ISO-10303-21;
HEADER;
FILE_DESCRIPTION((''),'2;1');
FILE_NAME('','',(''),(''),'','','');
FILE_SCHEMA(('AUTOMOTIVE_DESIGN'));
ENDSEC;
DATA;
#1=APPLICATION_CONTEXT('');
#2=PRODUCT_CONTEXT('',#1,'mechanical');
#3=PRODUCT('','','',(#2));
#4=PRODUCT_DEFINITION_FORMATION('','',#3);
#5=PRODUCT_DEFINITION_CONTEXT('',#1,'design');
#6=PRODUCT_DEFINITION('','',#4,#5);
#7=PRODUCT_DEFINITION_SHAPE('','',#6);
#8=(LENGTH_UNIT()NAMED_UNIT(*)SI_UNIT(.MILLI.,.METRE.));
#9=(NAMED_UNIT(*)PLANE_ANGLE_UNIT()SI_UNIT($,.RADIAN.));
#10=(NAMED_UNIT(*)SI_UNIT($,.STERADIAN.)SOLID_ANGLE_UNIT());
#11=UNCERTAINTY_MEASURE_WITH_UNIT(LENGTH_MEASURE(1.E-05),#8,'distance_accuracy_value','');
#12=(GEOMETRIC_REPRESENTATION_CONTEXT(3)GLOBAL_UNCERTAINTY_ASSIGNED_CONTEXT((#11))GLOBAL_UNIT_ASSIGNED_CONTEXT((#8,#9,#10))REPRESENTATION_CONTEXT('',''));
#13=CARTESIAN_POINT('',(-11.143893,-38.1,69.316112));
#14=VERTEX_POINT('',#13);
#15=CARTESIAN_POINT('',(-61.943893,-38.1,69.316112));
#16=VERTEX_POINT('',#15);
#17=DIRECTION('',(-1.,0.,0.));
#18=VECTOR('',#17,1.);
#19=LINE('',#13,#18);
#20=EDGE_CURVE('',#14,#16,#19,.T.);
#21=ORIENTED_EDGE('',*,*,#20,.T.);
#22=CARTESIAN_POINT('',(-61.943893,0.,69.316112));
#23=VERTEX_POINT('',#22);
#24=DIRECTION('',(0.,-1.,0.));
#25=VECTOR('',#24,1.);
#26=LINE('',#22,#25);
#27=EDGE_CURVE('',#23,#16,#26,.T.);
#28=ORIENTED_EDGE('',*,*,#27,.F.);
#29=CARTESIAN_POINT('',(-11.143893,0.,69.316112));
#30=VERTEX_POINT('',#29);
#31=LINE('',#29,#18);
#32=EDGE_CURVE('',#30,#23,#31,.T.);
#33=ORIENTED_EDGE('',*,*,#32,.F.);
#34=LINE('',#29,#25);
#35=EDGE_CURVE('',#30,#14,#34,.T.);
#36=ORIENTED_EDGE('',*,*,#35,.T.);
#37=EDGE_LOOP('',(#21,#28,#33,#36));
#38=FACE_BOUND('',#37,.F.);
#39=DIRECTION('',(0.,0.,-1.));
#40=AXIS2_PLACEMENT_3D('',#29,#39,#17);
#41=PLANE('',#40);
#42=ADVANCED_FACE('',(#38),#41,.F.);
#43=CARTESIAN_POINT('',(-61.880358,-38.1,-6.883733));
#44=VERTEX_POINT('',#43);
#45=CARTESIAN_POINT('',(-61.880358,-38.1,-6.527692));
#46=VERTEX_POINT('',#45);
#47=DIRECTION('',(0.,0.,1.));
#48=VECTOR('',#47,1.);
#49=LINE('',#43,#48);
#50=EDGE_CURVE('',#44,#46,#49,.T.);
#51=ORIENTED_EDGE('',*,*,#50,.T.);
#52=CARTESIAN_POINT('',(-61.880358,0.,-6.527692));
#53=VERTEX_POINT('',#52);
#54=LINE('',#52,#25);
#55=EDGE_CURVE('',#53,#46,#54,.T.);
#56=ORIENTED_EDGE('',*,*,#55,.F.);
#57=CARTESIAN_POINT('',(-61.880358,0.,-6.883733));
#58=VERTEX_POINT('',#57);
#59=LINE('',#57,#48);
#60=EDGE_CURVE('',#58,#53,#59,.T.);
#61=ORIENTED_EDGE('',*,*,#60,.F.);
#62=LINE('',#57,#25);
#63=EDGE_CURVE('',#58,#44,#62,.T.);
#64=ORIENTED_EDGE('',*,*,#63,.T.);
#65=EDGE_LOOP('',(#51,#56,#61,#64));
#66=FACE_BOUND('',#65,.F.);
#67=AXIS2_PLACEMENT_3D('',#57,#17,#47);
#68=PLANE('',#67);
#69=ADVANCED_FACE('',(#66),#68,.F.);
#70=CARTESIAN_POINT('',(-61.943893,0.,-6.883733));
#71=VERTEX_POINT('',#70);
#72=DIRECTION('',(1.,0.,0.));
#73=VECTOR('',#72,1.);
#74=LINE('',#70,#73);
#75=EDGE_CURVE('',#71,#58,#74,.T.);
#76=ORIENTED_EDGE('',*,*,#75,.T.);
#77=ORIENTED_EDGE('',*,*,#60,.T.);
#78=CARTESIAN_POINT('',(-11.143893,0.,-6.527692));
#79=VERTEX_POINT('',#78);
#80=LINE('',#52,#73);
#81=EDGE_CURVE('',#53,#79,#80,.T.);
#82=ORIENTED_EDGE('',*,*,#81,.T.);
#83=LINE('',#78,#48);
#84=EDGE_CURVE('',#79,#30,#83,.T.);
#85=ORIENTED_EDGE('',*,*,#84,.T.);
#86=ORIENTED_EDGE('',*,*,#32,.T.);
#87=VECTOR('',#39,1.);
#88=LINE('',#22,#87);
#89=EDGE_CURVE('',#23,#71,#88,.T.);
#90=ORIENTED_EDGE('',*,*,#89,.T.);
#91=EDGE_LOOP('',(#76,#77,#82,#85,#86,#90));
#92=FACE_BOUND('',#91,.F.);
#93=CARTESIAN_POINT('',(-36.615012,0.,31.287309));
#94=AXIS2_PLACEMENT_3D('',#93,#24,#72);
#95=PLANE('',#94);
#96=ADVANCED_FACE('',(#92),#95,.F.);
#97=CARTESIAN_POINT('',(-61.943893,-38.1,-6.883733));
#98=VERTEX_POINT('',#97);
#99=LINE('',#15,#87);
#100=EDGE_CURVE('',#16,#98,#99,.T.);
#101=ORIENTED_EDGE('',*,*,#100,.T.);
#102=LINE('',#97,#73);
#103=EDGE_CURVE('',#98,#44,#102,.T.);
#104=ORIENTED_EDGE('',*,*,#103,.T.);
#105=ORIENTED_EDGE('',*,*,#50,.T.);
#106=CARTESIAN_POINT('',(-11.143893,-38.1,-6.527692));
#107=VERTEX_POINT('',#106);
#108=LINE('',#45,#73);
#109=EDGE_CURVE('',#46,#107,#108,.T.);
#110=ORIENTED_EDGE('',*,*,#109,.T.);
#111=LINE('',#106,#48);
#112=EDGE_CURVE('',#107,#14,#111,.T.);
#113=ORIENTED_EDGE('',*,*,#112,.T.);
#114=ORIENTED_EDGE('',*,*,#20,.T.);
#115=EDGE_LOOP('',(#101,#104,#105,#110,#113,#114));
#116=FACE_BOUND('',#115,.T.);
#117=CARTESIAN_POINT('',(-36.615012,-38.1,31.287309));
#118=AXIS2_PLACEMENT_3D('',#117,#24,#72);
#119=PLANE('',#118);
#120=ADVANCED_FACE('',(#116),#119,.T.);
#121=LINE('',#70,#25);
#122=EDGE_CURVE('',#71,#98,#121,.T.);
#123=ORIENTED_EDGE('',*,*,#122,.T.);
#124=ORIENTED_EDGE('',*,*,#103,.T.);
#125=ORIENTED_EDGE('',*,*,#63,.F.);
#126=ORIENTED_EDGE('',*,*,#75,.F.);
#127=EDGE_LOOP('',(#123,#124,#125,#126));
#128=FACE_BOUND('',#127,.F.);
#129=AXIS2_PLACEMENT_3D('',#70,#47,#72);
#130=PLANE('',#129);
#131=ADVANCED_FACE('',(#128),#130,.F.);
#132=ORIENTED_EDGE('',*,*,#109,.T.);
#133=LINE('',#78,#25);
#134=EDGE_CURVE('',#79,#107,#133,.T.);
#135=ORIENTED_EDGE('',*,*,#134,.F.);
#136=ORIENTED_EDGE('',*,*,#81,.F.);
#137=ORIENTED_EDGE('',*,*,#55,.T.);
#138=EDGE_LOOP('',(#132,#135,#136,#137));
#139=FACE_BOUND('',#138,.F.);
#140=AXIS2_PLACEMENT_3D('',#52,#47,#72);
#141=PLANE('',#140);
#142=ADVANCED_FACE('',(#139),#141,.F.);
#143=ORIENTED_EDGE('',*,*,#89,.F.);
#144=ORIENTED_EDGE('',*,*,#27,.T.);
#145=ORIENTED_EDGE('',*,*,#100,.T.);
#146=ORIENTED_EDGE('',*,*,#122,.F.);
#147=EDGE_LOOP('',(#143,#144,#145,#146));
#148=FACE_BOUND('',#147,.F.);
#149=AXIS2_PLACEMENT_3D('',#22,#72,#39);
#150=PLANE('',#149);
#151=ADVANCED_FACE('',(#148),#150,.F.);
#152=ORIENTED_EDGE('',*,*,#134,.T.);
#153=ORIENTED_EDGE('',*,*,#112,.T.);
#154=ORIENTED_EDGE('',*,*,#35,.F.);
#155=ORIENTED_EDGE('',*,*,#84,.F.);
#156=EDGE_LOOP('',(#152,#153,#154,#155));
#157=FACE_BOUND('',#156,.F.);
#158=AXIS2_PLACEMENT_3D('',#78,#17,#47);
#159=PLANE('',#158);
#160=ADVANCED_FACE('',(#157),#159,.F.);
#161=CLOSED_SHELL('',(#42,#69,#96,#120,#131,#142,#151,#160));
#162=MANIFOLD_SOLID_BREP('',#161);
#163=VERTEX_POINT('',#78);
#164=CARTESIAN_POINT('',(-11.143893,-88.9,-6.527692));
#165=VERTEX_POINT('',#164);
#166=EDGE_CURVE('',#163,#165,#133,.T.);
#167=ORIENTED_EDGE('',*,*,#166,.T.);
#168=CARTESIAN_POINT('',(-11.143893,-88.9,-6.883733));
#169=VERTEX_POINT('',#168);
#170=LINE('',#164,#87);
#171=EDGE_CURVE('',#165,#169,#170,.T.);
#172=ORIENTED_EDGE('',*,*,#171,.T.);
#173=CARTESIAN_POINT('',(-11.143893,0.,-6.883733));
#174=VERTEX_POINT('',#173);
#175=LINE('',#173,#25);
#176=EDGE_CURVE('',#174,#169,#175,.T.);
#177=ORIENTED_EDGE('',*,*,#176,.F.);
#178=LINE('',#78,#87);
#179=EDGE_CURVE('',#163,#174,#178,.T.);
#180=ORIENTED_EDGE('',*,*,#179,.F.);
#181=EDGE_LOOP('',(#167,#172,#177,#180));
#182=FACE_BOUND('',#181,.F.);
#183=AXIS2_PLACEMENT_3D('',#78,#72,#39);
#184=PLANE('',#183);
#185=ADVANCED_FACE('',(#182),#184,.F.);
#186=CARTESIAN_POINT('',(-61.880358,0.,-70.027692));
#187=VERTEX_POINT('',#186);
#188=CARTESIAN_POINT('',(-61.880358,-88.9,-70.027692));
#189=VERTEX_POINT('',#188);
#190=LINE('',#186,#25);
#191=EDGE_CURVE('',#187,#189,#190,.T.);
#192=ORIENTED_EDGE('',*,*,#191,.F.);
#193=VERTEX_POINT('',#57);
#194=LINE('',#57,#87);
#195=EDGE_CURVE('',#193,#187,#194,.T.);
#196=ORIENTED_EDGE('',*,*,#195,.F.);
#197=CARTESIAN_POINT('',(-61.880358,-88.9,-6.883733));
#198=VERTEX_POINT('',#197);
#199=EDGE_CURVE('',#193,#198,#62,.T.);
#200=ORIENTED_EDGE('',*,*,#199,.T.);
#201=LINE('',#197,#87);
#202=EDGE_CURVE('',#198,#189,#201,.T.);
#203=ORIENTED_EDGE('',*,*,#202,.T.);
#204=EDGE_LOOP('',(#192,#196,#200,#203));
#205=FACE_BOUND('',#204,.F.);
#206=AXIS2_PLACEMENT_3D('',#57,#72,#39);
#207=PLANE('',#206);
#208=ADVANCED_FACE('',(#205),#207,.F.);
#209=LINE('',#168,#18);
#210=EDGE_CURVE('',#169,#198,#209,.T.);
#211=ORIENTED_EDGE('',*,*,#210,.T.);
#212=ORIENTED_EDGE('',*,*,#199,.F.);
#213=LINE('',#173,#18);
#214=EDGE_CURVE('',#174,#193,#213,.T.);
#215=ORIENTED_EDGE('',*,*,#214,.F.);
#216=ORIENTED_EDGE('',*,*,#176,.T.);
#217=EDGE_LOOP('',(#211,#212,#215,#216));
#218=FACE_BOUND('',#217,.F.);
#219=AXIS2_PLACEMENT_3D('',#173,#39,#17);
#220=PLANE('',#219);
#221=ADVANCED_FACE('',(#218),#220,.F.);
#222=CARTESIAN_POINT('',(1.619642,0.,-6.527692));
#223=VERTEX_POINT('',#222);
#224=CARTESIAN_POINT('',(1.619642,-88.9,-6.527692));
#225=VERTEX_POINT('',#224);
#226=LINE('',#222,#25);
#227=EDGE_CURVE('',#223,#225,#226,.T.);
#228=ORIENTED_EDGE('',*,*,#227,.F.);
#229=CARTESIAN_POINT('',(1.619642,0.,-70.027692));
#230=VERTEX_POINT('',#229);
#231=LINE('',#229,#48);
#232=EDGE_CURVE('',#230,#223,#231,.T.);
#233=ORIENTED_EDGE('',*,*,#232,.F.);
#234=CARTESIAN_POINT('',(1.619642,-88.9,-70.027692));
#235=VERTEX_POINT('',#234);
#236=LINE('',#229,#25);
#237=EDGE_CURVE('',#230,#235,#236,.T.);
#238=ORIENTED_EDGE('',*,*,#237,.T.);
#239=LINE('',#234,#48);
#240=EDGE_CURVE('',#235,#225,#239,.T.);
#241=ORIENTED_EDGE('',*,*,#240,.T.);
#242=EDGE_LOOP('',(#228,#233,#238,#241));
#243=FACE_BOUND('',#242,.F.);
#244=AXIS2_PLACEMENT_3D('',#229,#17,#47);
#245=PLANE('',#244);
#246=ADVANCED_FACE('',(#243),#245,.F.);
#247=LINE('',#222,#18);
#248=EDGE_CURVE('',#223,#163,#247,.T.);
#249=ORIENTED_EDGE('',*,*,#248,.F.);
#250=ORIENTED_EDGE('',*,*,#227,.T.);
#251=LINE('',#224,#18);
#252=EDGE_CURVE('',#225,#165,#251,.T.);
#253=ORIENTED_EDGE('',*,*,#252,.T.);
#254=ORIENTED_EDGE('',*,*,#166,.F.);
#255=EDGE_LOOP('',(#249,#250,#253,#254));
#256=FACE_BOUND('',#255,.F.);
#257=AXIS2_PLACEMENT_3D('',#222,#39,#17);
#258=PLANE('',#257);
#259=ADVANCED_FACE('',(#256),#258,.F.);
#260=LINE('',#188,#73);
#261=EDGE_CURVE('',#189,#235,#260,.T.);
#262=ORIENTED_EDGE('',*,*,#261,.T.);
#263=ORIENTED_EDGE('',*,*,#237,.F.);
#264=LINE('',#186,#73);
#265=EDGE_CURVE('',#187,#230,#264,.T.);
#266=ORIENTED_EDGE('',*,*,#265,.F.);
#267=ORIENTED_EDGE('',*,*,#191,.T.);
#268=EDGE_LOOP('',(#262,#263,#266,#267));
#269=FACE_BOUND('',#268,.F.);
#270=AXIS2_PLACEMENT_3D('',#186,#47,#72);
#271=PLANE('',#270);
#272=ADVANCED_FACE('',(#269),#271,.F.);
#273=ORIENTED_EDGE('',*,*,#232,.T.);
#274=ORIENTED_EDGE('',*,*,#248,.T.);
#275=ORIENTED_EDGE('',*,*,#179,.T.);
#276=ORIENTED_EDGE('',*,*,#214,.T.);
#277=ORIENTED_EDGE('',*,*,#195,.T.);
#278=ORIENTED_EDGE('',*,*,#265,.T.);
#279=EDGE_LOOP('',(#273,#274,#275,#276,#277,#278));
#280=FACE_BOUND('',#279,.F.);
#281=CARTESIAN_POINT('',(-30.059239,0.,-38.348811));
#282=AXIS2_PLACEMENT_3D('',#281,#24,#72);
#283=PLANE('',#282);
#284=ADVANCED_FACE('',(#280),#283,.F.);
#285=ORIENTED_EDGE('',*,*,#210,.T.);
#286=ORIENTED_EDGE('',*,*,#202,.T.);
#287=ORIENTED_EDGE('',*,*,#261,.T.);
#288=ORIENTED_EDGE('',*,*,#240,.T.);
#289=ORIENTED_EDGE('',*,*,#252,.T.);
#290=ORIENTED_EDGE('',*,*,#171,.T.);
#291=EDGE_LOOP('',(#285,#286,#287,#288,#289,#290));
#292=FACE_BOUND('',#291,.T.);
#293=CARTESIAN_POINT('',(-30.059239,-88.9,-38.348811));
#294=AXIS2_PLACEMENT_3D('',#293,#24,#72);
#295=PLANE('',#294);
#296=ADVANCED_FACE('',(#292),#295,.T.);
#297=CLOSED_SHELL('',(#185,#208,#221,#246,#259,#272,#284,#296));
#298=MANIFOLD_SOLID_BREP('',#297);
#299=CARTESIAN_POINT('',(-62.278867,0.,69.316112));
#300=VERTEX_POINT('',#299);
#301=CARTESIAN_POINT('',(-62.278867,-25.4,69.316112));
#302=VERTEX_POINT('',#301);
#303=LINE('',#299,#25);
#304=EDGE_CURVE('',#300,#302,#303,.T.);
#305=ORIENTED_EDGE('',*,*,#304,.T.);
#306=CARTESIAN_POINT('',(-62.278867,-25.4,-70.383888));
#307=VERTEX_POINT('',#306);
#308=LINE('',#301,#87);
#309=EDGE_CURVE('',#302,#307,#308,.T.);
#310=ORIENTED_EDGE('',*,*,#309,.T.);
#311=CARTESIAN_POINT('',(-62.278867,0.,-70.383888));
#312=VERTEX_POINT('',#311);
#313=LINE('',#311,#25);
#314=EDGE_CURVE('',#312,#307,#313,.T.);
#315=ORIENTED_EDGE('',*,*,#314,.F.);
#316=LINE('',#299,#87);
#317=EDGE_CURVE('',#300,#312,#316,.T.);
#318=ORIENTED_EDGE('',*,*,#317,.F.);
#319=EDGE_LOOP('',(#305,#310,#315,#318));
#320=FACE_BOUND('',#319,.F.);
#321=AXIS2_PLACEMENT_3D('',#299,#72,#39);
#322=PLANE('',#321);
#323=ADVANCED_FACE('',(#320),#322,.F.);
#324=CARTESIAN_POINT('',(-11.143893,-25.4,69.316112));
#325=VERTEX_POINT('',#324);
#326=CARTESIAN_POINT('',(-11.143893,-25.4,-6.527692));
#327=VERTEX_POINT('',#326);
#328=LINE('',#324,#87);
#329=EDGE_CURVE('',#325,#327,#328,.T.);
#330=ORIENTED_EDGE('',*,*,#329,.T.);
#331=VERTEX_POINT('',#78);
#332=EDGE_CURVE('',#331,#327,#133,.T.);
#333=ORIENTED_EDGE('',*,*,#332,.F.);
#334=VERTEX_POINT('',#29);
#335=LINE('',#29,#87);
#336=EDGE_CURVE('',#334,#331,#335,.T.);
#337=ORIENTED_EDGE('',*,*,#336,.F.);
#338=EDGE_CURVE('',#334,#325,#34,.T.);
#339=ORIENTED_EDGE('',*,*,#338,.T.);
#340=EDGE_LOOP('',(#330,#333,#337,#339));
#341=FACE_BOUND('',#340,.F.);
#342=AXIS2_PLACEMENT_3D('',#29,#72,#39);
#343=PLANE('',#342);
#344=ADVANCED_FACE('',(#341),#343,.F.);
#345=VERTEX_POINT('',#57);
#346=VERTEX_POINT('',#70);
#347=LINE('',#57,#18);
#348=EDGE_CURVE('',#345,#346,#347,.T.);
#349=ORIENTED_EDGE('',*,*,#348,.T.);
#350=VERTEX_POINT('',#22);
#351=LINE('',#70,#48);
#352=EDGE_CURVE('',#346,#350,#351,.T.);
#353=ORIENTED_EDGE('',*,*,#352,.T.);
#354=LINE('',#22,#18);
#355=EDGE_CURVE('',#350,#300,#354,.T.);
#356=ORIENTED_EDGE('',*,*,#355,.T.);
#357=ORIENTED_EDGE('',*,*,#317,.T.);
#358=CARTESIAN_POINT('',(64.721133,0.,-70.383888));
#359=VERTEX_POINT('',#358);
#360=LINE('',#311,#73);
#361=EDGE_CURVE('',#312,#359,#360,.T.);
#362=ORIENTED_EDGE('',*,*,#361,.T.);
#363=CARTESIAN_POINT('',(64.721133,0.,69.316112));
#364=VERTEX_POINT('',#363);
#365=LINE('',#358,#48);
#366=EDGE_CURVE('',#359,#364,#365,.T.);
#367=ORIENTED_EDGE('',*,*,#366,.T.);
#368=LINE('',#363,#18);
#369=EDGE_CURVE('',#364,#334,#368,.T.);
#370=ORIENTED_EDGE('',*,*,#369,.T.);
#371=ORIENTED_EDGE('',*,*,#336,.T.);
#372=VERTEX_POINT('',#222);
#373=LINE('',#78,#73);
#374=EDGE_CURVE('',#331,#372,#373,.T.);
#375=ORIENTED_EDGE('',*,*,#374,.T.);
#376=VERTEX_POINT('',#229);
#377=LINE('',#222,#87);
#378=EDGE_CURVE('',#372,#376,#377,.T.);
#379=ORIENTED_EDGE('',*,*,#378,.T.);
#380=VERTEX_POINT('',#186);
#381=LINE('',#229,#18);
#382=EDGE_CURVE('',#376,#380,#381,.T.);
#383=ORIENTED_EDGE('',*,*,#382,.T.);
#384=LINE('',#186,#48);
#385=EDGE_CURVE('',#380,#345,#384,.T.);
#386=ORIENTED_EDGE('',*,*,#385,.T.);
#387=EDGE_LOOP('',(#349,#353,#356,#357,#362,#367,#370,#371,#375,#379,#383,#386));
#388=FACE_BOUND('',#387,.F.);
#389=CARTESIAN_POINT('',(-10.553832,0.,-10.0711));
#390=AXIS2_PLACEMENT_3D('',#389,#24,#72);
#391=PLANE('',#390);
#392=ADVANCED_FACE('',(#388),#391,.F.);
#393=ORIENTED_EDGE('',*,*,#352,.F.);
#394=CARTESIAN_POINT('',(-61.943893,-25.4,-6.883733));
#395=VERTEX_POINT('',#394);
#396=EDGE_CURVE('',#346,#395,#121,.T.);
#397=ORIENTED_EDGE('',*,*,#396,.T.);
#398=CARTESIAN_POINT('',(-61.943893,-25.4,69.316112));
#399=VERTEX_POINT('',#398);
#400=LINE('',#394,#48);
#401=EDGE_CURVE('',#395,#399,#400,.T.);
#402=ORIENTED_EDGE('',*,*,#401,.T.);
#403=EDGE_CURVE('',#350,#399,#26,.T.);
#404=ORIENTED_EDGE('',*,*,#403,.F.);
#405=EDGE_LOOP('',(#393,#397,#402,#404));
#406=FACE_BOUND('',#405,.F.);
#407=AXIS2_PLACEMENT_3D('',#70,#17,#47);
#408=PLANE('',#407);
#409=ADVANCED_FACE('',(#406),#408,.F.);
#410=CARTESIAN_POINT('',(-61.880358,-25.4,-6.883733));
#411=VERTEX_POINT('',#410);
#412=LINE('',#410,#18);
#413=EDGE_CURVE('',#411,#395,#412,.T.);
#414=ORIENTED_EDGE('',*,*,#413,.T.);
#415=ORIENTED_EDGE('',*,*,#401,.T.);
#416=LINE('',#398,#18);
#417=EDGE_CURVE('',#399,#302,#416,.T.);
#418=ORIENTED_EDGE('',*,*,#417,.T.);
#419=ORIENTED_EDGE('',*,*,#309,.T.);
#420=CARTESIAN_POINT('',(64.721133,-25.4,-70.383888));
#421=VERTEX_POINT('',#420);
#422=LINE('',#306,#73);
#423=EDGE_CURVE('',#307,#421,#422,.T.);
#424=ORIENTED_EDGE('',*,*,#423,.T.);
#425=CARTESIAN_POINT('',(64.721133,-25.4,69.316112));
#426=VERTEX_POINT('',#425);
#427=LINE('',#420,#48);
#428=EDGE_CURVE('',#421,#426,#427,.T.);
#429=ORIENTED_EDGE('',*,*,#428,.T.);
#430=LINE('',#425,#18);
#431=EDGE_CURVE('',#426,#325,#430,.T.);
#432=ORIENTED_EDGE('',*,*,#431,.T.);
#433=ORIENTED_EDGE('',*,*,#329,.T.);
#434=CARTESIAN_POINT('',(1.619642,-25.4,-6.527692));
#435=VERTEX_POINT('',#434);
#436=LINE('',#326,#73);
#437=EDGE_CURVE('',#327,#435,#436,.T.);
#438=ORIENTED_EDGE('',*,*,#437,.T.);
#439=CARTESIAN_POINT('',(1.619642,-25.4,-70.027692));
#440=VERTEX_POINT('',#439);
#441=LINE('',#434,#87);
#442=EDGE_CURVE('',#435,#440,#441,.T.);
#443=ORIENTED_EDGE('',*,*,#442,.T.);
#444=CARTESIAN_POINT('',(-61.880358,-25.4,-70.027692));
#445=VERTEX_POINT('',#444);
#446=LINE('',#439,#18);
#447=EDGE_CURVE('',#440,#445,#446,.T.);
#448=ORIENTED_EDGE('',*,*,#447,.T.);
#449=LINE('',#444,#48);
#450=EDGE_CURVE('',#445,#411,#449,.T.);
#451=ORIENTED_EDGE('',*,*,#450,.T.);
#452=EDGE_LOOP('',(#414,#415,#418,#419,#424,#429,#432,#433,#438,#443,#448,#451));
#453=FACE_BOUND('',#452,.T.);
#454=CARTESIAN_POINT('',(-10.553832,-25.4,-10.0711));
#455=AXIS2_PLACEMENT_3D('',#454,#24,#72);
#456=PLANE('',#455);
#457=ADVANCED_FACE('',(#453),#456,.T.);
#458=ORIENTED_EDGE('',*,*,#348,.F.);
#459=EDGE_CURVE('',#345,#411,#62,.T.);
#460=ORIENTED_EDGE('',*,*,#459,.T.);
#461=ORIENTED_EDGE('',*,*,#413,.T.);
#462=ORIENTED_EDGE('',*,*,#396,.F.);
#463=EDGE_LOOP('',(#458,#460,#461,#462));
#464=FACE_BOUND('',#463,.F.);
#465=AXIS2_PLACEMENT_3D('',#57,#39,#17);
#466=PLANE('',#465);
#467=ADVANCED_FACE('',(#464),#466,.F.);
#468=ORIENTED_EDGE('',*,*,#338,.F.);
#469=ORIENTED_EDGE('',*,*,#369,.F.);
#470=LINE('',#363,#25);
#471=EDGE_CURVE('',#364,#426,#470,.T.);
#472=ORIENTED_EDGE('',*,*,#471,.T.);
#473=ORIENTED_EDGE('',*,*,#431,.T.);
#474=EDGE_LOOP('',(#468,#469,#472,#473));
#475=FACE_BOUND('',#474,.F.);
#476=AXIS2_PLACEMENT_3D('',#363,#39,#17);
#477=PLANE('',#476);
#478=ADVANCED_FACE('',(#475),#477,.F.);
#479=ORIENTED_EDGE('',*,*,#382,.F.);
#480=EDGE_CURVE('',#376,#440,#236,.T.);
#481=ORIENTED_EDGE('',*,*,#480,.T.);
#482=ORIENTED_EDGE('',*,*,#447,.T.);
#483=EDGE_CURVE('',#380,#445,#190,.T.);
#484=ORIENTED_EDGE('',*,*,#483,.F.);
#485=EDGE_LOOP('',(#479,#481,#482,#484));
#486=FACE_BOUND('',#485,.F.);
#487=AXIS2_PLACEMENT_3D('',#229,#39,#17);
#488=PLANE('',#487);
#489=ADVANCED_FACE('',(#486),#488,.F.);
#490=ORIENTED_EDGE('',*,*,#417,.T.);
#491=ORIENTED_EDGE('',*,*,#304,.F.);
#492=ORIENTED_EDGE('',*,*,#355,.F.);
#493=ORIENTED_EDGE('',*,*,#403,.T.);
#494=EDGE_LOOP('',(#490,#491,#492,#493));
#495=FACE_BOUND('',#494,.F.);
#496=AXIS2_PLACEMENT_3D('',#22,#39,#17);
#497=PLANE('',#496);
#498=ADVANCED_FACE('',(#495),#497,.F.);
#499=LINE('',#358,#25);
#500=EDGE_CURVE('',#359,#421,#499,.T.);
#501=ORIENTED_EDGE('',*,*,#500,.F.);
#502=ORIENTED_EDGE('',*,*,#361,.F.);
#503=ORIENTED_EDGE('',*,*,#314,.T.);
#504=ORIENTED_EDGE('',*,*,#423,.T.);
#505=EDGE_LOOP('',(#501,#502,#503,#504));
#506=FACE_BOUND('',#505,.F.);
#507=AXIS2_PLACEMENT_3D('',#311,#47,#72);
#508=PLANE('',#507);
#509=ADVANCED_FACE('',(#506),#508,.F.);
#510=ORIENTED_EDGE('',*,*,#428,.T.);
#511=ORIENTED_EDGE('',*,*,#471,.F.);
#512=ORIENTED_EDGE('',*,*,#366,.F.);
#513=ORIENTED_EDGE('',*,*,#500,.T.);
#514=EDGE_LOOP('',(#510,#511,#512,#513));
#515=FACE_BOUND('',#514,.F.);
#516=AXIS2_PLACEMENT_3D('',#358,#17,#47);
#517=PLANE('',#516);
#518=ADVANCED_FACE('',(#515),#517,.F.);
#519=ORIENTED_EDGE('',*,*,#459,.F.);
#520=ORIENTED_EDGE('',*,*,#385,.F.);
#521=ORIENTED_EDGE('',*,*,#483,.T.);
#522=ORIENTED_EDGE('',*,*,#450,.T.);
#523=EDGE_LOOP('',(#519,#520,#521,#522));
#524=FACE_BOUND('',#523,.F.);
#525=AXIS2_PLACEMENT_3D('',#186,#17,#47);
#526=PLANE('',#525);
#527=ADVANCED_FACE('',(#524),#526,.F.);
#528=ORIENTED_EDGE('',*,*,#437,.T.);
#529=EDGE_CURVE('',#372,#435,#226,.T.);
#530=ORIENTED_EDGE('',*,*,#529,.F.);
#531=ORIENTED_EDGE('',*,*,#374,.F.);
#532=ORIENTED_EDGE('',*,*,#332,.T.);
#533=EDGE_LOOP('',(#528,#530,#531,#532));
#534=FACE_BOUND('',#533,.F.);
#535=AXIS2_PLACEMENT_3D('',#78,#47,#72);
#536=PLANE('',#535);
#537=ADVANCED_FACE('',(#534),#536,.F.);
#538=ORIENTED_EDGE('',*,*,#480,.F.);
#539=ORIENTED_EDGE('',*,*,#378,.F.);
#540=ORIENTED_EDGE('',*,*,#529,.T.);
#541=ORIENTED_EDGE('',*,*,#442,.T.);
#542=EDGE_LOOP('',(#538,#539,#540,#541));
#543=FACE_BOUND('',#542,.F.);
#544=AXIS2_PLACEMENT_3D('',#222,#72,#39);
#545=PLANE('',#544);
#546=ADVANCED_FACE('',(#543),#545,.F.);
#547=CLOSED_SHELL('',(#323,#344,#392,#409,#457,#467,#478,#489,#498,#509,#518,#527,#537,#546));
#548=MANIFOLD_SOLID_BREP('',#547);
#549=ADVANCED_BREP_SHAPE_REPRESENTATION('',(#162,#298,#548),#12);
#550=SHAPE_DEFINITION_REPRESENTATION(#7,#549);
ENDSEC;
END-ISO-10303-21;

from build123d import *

# Parameters (mm, degrees)
F1_DEPTH = 88.9
F2_DEPTH = 38.1
F3_DEPTH = 25.4


with BuildPart() as f1:
    # F0 (on Front) → F1 (new body)
    with BuildSketch(Plane.XZ):
        Polygon((1.619642, -6.527692), (-11.143893, -6.527692), (-11.143893, -6.883733), (-61.880358, -6.883733), (-61.880358, -70.027692), (1.619642, -70.027692), align=None)
    extrude(amount=F1_DEPTH)


with BuildPart() as f2:
    # F0 (on Front) → F2 (new body)
    with BuildSketch(Plane.XZ):
        Polygon((-61.880358, -6.883733), (-61.880358, -6.527692), (-11.143893, -6.527692), (-11.143893, 69.316112), (-61.943893, 69.316112), (-61.943893, -6.883733), align=None)
    extrude(amount=F2_DEPTH)


with BuildPart() as f3:
    # F0 (on Front) → F3 (new body)
    with BuildSketch(Plane.XZ):
        Polygon((-11.143893, 69.316112), (-11.143893, -6.527692), (1.619642, -6.527692), (1.619642, -70.027692), (-61.880358, -70.027692), (-61.880358, -6.883733), (-61.943893, -6.883733), (-61.943893, 69.316112), (-62.278867, 69.316112), (-62.278867, -70.383888), (64.721133, -70.383888), (64.721133, 69.316112), align=None)
    extrude(amount=F3_DEPTH)


solid = Compound([f1.part, f2.part, f3.part])
